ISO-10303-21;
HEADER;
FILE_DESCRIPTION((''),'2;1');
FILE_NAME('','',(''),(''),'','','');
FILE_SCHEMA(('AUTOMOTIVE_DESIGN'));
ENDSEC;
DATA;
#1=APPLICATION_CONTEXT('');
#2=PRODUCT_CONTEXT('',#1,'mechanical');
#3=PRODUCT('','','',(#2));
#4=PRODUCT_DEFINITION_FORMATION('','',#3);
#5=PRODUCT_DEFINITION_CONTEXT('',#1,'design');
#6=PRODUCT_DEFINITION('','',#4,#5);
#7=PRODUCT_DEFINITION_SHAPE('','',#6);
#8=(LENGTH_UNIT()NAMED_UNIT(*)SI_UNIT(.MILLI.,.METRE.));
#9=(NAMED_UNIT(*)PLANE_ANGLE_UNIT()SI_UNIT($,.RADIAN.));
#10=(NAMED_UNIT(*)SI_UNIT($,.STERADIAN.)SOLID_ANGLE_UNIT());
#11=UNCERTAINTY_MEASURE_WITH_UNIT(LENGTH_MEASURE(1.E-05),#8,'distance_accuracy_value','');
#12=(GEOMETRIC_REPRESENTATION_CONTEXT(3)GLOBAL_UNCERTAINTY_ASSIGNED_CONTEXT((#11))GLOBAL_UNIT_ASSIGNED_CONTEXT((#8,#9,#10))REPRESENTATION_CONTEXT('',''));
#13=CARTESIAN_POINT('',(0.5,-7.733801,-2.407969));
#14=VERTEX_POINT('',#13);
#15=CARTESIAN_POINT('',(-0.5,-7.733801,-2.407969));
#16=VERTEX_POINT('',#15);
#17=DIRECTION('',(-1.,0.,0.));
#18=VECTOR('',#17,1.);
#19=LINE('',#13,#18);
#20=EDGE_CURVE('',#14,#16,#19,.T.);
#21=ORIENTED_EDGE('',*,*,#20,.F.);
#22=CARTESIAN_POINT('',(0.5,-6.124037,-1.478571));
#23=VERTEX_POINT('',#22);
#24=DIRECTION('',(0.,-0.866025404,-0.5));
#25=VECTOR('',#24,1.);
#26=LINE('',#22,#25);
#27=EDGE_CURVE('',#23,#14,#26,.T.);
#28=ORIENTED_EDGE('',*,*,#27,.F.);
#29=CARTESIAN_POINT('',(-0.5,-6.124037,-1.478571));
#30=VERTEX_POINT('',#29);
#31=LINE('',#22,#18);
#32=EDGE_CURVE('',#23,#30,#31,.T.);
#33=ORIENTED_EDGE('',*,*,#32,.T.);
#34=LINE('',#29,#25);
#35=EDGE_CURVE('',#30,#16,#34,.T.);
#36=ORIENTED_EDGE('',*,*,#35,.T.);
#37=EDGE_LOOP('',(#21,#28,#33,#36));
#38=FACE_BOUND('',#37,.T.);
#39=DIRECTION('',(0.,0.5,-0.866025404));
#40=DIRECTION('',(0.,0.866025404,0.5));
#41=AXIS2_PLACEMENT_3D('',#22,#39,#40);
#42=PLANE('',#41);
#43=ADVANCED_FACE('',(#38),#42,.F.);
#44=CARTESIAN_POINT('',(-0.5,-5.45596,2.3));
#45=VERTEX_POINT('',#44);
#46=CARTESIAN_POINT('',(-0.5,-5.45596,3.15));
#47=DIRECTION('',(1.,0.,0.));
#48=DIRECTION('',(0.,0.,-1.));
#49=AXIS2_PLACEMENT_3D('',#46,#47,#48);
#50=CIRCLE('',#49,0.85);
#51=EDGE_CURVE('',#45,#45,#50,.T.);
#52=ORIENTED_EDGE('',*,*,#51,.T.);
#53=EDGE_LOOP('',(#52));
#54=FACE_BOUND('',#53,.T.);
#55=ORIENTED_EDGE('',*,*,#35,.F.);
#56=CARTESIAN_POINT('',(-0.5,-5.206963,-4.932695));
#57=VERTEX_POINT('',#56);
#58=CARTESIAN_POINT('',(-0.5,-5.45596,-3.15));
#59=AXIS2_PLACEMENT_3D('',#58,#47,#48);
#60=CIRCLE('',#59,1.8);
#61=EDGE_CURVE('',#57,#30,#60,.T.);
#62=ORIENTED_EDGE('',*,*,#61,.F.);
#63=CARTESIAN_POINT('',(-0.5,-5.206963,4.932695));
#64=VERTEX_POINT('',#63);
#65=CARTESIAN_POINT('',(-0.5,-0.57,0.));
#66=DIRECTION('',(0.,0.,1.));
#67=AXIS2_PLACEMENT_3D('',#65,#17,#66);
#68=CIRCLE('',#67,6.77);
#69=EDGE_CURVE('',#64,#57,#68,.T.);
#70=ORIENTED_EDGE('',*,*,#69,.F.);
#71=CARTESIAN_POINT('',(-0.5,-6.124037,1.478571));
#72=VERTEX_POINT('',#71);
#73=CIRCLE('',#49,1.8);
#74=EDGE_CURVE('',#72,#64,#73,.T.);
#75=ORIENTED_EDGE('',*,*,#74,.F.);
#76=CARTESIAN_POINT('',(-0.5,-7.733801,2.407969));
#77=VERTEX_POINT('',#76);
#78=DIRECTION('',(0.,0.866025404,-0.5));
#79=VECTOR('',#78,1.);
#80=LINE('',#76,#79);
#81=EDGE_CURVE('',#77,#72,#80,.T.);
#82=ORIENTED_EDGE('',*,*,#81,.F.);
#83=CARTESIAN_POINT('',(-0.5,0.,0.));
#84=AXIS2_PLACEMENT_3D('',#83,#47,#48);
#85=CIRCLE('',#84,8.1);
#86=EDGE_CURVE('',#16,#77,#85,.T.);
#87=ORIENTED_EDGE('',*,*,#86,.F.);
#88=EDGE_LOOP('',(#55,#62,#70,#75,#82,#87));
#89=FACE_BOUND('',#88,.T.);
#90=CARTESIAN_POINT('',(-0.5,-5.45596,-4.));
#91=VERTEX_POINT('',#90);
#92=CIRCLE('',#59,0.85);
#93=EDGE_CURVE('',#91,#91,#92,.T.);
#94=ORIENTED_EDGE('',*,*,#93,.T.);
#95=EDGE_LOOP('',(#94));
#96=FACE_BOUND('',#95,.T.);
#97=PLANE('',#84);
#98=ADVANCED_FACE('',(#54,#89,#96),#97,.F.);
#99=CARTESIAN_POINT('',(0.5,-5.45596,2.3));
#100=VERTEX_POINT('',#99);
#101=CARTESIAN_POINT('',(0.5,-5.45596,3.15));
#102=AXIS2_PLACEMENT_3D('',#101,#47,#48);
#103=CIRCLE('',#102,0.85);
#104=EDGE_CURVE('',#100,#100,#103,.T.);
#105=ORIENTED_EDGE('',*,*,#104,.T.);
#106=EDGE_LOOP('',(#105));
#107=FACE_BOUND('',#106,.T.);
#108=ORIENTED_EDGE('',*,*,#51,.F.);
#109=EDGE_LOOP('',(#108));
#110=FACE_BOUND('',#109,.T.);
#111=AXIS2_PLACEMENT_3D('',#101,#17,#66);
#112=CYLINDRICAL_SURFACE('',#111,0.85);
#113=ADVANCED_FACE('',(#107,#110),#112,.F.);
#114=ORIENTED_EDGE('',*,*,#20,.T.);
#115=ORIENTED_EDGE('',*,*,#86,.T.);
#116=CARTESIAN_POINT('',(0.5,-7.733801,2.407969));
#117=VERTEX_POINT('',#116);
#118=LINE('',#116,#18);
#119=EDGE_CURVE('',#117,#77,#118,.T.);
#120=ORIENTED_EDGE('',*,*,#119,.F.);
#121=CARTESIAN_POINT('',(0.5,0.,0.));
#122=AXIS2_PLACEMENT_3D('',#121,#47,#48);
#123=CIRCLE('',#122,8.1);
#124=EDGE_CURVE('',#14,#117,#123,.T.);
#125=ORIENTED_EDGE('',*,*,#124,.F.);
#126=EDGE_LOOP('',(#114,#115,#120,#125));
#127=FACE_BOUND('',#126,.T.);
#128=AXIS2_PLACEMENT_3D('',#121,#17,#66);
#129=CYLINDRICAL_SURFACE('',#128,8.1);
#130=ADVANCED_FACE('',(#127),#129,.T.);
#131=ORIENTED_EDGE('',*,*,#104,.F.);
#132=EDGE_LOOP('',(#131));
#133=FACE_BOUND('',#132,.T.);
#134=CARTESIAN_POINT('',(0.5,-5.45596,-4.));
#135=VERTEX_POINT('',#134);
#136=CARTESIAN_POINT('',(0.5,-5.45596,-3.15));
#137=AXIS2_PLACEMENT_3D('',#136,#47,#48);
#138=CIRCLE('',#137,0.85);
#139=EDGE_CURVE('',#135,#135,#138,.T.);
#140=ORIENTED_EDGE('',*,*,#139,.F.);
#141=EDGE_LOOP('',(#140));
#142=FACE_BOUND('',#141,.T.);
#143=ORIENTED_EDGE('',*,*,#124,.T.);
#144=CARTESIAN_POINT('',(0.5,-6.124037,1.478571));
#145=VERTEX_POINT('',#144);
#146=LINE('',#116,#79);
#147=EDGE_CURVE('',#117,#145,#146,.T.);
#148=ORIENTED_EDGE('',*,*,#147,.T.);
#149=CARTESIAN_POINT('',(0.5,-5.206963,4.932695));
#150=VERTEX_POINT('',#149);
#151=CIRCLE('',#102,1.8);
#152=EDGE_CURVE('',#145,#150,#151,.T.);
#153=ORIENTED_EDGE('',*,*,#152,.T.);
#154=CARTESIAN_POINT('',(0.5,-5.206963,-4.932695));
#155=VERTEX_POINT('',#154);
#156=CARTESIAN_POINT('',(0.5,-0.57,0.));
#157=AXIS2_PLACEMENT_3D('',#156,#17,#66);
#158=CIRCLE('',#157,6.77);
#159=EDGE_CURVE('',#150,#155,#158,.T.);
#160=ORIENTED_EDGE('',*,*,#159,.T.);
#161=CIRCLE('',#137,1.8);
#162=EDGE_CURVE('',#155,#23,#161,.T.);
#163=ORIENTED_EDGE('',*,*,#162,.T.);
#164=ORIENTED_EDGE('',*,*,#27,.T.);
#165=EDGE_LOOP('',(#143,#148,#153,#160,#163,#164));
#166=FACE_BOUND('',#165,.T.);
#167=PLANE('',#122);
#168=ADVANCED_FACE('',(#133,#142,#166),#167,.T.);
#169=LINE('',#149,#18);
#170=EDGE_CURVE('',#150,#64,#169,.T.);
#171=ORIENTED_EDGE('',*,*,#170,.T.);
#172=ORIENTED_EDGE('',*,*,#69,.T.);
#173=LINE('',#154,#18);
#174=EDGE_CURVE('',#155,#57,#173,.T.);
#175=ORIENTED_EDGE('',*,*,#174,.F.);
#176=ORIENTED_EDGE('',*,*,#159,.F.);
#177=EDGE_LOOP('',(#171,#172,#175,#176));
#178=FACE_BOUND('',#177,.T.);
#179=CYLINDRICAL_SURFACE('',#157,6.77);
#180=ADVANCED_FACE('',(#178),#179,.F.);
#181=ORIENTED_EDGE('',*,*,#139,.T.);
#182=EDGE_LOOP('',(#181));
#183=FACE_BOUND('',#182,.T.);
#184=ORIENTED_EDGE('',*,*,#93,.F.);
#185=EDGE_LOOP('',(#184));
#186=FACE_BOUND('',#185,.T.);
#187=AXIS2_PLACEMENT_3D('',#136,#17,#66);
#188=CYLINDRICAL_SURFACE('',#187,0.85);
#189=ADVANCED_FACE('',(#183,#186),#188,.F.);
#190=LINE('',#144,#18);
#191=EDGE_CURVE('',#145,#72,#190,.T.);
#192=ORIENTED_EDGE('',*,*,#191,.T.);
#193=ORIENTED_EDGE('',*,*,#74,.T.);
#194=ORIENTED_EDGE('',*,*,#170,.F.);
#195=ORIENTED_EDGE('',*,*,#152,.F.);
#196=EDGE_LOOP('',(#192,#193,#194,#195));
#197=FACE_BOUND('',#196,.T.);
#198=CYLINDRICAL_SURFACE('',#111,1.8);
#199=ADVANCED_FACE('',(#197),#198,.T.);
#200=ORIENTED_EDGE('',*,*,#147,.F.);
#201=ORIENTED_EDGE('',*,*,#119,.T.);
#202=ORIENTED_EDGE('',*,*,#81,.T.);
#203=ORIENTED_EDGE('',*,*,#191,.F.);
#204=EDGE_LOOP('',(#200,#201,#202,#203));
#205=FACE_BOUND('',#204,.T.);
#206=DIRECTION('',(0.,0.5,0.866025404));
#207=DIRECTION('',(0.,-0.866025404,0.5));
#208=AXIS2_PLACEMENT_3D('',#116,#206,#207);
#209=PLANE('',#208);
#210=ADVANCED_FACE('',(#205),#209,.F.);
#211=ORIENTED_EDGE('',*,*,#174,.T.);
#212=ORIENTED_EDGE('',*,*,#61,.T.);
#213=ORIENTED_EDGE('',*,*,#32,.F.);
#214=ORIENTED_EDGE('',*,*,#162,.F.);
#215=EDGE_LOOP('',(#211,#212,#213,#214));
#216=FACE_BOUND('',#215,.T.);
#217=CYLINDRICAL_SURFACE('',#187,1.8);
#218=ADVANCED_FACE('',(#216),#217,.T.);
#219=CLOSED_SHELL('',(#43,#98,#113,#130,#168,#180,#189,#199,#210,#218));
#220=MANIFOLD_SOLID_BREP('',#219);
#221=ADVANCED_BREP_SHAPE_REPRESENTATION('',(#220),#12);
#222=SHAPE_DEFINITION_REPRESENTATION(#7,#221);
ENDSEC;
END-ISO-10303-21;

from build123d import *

# Parameters (mm, degrees)
BOSS_EXTRUDE1_DEPTH      = 0.5
BOSS_EXTRUDE1_DEPTH_BACK = 0.5
SKETCH1_R                = 0.85


with BuildPart() as part:
    # Sketch1 → Boss-Extrude1 (new, two sides: drawn at the far end of the back side and taken through both)
    with BuildSketch(Plane(origin=(0, 0, 0), x_dir=(0, 0, -1), z_dir=(1, 0, 0)).offset(-BOSS_EXTRUDE1_DEPTH_BACK)):
        with BuildLine():
            Line((-2.40796943, -7.733801344), (-1.478571429, -6.124036784))
            ThreePointArc((-1.478571429, -6.124036784), (-2.688100389, -3.716233413), (-4.932694682, -5.20696271))
            ThreePointArc((-4.932694682, -5.20696271), (0, 6.2), (4.932694682, -5.20696271))
            ThreePointArc((4.932694682, -5.20696271), (2.688100389, -3.716233413), (1.478571429, -6.124036784))
            Line((1.478571429, -6.124036784), (2.40796943, -7.733801344))
            ThreePointArc((2.40796943, -7.733801344), (0, 8.1), (-2.40796943, -7.733801344))
        make_face()
        with Locations((3.15, -5.455960044)):
            Circle(SKETCH1_R, mode=Mode.SUBTRACT)
        with Locations((-3.15, -5.455960044)):
            Circle(SKETCH1_R, mode=Mode.SUBTRACT)
    extrude(amount=BOSS_EXTRUDE1_DEPTH + BOSS_EXTRUDE1_DEPTH_BACK)


solid = part.part
